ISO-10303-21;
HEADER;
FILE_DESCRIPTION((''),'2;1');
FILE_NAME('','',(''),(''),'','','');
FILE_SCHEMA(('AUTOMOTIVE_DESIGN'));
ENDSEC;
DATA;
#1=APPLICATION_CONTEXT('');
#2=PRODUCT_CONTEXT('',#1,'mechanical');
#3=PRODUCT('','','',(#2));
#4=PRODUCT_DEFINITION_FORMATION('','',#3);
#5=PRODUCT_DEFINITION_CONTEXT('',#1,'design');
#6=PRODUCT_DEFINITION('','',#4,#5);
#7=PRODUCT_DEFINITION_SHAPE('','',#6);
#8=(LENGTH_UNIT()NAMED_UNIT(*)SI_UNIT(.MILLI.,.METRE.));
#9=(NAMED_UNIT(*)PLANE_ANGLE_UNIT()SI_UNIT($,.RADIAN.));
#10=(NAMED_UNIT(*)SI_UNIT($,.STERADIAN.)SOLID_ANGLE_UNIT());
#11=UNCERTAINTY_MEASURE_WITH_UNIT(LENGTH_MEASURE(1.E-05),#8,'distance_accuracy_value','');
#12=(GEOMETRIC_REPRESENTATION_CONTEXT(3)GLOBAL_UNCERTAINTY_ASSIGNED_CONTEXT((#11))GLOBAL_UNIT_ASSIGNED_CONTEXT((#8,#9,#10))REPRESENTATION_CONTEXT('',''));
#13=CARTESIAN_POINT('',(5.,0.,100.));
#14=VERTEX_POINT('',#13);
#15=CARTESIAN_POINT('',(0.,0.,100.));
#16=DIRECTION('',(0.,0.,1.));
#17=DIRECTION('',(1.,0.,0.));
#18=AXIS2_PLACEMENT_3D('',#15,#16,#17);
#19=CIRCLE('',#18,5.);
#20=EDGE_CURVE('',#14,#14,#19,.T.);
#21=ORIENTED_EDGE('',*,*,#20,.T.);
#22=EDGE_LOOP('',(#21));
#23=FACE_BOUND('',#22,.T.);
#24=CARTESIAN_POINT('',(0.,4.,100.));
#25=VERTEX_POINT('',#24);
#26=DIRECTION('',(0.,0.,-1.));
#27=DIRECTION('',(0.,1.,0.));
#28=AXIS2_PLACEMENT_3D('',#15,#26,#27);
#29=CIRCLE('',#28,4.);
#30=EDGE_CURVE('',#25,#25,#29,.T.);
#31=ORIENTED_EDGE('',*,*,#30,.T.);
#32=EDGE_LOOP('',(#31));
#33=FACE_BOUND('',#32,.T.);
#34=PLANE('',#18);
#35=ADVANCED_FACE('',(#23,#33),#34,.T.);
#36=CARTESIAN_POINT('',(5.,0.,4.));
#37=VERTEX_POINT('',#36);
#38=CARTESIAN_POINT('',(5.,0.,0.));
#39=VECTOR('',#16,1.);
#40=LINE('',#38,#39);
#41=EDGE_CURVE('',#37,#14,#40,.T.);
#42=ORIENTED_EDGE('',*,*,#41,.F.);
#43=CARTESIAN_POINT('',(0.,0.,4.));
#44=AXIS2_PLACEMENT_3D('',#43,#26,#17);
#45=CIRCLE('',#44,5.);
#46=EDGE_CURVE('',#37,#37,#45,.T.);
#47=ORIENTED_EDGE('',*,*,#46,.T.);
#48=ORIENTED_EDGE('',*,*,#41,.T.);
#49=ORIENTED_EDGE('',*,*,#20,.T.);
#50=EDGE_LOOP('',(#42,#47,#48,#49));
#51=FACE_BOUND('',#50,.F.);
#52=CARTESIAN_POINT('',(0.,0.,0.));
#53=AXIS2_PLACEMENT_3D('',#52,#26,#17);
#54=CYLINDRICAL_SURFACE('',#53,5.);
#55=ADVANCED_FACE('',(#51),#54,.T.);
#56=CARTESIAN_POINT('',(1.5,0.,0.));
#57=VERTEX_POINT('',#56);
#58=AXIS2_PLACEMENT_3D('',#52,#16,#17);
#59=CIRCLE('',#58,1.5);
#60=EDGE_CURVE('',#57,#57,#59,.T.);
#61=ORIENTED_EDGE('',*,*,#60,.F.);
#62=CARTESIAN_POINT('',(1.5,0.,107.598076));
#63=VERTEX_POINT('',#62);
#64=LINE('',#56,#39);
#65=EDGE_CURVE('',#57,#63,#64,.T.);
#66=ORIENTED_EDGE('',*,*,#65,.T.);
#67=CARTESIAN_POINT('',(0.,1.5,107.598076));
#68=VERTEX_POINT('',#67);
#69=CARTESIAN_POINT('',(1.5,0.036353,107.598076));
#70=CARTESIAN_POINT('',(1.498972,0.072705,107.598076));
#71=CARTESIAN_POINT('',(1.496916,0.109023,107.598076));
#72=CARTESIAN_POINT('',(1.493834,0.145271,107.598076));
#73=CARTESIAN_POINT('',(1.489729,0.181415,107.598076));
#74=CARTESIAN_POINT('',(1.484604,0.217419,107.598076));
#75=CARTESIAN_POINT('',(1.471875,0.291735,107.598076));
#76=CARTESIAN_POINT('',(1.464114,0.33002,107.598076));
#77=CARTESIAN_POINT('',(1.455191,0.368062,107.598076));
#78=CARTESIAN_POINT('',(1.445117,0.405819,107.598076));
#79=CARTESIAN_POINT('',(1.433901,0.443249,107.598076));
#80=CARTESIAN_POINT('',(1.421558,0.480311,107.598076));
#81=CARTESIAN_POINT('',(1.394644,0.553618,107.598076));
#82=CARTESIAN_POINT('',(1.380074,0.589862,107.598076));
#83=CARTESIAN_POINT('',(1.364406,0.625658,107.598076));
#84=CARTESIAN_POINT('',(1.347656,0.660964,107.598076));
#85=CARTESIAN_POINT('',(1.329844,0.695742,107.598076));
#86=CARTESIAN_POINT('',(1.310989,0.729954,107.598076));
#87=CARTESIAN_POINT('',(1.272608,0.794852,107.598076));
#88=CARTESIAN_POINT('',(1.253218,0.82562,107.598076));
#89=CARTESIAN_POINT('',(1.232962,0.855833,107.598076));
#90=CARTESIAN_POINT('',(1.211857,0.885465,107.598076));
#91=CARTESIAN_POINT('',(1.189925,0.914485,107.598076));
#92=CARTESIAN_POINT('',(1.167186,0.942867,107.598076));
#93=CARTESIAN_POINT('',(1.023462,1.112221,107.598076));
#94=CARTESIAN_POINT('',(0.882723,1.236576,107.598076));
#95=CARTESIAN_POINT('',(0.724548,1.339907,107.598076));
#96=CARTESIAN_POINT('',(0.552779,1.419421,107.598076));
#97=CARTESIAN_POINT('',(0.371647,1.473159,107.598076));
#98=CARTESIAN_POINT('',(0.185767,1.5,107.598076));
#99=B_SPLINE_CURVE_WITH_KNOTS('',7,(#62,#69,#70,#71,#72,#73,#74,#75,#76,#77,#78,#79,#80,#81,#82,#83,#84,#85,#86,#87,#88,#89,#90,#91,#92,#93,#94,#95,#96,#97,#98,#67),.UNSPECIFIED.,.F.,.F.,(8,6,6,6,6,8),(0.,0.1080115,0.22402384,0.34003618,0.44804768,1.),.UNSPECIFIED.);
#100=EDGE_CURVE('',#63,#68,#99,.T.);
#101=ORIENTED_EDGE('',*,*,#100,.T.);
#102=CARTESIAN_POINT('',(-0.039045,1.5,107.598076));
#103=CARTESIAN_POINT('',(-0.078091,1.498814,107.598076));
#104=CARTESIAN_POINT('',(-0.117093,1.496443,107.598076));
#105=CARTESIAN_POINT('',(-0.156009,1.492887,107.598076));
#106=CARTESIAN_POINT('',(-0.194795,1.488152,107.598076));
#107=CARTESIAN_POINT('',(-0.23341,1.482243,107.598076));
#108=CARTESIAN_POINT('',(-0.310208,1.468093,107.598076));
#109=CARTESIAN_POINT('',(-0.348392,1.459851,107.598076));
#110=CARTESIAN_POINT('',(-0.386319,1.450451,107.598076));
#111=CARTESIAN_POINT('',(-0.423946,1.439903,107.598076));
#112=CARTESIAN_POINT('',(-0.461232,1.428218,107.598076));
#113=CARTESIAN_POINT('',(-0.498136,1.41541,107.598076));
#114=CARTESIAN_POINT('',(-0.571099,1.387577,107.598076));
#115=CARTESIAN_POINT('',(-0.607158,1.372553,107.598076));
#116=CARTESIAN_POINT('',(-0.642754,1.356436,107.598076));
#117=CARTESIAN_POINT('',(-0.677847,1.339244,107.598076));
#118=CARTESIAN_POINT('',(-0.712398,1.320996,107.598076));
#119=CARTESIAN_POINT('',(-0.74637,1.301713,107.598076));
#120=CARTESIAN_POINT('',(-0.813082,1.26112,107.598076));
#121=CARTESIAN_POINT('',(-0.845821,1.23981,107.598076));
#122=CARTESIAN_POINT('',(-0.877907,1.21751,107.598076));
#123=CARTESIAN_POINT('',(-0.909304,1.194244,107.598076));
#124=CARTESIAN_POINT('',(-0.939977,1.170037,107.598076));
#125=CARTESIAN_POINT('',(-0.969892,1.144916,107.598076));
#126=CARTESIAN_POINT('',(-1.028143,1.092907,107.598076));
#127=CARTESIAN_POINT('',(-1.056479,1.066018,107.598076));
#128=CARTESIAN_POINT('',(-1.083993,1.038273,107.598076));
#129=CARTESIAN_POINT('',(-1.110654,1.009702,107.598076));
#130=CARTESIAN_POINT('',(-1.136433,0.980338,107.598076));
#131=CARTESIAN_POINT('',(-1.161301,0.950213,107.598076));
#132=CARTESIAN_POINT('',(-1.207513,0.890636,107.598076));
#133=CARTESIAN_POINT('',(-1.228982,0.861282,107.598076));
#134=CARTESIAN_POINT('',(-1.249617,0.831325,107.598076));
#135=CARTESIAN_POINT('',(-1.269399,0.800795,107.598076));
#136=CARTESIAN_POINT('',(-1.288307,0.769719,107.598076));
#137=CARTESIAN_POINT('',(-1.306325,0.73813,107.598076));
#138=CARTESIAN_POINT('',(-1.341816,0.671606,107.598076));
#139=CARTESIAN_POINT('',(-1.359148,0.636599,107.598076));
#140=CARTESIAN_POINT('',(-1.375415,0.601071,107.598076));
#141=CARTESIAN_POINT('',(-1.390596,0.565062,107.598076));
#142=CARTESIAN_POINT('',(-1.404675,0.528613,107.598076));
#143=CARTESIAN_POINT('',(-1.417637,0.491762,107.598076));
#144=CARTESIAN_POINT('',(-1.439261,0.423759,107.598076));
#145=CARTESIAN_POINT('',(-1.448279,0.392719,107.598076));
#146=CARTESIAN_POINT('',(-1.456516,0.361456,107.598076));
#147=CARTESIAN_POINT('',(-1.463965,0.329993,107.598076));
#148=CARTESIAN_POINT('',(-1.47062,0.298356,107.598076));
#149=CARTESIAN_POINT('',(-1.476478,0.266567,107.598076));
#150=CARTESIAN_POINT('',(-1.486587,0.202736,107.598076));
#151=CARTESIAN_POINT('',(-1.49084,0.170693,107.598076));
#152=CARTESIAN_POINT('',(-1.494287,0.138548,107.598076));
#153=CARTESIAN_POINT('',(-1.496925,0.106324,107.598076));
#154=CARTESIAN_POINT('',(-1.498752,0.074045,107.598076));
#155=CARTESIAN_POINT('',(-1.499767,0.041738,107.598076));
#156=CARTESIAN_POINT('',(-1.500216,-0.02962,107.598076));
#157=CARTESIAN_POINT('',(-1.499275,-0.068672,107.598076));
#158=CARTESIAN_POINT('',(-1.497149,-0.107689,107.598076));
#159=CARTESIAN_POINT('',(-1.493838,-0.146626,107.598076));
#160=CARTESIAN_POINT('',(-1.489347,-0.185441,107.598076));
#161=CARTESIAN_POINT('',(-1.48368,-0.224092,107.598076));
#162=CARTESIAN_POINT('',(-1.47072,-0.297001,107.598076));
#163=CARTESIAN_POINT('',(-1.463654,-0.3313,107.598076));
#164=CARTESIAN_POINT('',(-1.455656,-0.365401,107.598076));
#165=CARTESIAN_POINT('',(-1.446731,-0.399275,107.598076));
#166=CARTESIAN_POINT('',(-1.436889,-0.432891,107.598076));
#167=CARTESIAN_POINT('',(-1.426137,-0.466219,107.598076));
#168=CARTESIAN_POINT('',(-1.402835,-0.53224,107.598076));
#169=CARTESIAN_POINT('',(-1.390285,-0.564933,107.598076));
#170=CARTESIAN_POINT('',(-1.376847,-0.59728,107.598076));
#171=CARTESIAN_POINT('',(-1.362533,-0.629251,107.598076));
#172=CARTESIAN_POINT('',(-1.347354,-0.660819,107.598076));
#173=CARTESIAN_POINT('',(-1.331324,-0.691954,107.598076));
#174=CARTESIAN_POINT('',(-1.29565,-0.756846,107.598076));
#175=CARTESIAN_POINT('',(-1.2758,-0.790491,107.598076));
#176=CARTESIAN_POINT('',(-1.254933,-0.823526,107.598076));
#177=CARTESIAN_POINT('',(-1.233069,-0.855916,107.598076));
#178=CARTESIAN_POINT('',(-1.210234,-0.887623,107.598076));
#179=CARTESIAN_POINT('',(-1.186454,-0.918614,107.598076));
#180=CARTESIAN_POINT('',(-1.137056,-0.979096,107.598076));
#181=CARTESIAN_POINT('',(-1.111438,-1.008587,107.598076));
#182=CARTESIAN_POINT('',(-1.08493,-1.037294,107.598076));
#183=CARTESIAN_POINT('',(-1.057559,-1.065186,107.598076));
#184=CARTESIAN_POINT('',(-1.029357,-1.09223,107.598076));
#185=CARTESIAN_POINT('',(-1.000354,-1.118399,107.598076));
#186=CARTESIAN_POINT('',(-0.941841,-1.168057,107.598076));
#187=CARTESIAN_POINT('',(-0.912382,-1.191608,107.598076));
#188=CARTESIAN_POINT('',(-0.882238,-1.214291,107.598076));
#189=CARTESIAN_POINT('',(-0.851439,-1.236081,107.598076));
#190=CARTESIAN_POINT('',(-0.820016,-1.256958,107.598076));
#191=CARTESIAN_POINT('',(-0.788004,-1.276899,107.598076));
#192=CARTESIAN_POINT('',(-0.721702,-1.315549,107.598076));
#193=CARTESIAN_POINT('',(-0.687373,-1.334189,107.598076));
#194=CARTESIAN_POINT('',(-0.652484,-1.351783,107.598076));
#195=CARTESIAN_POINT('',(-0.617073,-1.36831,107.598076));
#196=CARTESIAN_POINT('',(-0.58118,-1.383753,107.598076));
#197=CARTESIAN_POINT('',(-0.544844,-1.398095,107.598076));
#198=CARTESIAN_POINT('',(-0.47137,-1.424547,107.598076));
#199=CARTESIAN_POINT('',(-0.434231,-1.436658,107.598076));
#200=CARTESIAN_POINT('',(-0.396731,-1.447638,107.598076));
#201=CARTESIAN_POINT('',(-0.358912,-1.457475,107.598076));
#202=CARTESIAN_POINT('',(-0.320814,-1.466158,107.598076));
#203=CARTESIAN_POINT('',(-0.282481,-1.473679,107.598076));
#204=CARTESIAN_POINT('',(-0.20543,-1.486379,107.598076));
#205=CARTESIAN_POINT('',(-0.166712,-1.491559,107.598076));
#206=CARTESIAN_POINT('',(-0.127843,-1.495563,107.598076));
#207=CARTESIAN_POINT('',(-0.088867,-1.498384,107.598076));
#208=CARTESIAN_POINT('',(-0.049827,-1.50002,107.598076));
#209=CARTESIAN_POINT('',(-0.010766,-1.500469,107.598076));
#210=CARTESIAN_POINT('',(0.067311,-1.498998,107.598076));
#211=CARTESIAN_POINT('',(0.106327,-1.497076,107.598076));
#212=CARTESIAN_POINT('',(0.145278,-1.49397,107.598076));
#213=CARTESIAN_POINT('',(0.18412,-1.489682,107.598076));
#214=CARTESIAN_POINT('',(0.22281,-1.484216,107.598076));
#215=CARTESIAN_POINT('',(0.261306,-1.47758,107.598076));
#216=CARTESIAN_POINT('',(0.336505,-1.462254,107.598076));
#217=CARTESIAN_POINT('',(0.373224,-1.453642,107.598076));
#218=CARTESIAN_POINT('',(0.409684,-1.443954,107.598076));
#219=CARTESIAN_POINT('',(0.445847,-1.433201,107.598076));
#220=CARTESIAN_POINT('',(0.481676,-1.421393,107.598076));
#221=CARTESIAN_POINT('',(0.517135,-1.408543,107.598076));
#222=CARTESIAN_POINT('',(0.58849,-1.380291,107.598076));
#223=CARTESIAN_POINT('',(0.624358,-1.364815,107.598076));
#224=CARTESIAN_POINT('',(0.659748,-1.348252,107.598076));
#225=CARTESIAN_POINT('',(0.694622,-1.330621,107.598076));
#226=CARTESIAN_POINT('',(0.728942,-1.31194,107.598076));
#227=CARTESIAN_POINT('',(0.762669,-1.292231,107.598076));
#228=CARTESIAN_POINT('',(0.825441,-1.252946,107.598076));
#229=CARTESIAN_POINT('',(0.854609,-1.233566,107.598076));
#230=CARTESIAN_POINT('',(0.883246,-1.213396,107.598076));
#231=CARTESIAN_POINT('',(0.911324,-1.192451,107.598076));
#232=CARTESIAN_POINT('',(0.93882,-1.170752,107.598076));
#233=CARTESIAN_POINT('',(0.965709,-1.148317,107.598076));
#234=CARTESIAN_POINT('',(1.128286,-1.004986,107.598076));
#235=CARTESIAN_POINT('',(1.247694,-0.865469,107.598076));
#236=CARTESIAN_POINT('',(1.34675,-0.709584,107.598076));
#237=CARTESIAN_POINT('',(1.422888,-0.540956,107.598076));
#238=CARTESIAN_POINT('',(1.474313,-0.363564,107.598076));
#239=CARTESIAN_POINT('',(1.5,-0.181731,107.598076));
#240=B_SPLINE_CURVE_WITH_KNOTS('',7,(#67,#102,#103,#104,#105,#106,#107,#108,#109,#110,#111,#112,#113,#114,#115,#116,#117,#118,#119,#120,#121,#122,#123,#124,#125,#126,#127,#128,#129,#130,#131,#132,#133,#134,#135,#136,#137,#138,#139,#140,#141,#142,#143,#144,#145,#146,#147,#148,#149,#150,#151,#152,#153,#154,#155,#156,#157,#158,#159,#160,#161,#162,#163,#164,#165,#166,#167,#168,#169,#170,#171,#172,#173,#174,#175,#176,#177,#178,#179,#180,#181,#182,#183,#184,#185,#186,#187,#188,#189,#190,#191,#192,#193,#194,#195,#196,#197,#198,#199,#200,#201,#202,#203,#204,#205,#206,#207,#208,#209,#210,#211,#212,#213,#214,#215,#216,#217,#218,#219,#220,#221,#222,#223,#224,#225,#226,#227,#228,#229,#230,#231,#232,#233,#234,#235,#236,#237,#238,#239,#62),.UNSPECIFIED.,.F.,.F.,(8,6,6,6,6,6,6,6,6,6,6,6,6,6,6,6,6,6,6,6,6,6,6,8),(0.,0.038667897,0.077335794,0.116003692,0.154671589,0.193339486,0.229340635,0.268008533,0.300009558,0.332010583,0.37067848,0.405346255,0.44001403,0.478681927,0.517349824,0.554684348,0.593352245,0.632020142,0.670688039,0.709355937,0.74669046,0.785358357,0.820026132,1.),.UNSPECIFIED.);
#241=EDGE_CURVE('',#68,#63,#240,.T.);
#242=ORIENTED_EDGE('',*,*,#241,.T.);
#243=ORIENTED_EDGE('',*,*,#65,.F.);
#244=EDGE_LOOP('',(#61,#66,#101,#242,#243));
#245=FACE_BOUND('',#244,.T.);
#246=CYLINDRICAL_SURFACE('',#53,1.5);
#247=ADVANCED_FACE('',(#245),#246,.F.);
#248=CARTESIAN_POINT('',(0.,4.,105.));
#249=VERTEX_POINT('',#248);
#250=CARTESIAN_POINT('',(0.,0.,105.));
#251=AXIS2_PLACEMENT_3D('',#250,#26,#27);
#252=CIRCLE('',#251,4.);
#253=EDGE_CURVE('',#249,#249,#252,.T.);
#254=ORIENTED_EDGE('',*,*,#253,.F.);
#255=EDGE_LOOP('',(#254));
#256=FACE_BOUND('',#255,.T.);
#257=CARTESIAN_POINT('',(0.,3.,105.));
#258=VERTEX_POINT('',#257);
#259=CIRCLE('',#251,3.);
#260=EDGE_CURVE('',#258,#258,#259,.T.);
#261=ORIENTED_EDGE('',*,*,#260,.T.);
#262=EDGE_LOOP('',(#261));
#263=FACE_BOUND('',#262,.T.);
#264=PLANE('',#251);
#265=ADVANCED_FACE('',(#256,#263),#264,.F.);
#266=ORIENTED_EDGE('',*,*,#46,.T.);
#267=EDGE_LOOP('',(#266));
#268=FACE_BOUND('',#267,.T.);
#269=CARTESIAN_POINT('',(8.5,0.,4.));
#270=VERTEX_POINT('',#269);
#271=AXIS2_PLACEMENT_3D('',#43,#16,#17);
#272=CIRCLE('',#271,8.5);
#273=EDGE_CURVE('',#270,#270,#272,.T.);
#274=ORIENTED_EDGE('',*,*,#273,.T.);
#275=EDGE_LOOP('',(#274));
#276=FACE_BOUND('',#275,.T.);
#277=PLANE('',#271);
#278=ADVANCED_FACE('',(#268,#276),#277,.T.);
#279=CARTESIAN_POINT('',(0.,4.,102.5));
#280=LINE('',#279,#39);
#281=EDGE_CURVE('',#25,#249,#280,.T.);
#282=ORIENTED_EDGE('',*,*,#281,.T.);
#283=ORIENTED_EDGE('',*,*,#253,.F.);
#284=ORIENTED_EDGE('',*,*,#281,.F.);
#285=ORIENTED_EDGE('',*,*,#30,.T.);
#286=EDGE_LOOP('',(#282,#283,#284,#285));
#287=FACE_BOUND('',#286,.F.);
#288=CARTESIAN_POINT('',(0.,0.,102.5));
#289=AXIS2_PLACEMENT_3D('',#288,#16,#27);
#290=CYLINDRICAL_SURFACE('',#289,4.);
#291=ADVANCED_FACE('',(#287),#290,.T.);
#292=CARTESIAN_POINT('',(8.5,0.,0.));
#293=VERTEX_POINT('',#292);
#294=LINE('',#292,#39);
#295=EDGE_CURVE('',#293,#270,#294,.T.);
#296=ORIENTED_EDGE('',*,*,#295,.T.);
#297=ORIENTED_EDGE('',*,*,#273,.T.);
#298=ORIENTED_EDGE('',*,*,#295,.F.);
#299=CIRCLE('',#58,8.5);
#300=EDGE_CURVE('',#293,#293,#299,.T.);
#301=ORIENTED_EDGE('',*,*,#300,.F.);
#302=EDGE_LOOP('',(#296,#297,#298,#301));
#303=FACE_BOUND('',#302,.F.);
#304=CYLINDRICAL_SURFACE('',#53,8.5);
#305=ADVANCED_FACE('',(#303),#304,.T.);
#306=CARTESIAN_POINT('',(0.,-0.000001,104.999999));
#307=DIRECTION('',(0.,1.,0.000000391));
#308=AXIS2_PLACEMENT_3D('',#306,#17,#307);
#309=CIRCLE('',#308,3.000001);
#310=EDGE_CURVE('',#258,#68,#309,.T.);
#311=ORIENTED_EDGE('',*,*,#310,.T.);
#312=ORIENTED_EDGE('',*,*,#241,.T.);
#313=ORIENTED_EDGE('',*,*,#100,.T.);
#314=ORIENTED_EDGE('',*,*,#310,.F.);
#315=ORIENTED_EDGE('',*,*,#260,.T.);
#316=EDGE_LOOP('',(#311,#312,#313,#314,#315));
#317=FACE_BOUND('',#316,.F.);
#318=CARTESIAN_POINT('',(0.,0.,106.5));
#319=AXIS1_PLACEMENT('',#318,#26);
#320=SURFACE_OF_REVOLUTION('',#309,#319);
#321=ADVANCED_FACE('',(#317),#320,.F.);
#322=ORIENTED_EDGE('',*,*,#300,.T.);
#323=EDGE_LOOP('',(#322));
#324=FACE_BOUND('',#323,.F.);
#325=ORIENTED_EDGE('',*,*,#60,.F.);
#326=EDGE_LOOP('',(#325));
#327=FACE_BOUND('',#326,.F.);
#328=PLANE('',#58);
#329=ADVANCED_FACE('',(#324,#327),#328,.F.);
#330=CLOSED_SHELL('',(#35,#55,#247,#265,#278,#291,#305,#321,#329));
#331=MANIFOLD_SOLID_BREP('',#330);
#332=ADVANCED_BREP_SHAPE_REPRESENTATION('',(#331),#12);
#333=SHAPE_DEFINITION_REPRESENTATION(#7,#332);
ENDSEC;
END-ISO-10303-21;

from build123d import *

# Parameters (mm, degrees)
F0_R     = 8.5
F1_DEPTH = 4
F2_R     = 5
F3_DEPTH = 100
F4_W     = 4
F4_H     = 5
F8_R     = 1.5
F9_DEPTH = 109.1


with BuildPart() as f1:
    # F0 (on Top) → F1 (new body)
    with BuildSketch(Plane.XY):
        Circle(F0_R)
    extrude(amount=F1_DEPTH)

    # F2 (on Top) → F3 (join)
    with BuildSketch(Plane.XY):
        Circle(F2_R)
    extrude(amount=F3_DEPTH)

    # F4 (on Right) → F5 (revolve)
    with BuildSketch(Plane.YZ):
        with Locations((2, 102.5)):
            Rectangle(F4_W, F4_H)
    revolve(axis=Axis((0, 0, 102.5), (0, 0, -1)))

    # F6 (on Right) → F7 (revolve)
    with BuildSketch(Plane.YZ):
        with BuildLine():
            ThreePointArc((3, 105), (2.12132, 107.12132), (0, 108))
            Line((0, 108), (0, 105))
            Line((0, 105), (3, 105))
        make_face()
    revolve(axis=Axis((0, 0, 106.5), (0, 0, -1)))

    # F8 (on Top) → F9 (cut)
    with BuildSketch(Plane.XY):
        Circle(F8_R)
    extrude(amount=F9_DEPTH, mode=Mode.SUBTRACT)


solid = f1.part
